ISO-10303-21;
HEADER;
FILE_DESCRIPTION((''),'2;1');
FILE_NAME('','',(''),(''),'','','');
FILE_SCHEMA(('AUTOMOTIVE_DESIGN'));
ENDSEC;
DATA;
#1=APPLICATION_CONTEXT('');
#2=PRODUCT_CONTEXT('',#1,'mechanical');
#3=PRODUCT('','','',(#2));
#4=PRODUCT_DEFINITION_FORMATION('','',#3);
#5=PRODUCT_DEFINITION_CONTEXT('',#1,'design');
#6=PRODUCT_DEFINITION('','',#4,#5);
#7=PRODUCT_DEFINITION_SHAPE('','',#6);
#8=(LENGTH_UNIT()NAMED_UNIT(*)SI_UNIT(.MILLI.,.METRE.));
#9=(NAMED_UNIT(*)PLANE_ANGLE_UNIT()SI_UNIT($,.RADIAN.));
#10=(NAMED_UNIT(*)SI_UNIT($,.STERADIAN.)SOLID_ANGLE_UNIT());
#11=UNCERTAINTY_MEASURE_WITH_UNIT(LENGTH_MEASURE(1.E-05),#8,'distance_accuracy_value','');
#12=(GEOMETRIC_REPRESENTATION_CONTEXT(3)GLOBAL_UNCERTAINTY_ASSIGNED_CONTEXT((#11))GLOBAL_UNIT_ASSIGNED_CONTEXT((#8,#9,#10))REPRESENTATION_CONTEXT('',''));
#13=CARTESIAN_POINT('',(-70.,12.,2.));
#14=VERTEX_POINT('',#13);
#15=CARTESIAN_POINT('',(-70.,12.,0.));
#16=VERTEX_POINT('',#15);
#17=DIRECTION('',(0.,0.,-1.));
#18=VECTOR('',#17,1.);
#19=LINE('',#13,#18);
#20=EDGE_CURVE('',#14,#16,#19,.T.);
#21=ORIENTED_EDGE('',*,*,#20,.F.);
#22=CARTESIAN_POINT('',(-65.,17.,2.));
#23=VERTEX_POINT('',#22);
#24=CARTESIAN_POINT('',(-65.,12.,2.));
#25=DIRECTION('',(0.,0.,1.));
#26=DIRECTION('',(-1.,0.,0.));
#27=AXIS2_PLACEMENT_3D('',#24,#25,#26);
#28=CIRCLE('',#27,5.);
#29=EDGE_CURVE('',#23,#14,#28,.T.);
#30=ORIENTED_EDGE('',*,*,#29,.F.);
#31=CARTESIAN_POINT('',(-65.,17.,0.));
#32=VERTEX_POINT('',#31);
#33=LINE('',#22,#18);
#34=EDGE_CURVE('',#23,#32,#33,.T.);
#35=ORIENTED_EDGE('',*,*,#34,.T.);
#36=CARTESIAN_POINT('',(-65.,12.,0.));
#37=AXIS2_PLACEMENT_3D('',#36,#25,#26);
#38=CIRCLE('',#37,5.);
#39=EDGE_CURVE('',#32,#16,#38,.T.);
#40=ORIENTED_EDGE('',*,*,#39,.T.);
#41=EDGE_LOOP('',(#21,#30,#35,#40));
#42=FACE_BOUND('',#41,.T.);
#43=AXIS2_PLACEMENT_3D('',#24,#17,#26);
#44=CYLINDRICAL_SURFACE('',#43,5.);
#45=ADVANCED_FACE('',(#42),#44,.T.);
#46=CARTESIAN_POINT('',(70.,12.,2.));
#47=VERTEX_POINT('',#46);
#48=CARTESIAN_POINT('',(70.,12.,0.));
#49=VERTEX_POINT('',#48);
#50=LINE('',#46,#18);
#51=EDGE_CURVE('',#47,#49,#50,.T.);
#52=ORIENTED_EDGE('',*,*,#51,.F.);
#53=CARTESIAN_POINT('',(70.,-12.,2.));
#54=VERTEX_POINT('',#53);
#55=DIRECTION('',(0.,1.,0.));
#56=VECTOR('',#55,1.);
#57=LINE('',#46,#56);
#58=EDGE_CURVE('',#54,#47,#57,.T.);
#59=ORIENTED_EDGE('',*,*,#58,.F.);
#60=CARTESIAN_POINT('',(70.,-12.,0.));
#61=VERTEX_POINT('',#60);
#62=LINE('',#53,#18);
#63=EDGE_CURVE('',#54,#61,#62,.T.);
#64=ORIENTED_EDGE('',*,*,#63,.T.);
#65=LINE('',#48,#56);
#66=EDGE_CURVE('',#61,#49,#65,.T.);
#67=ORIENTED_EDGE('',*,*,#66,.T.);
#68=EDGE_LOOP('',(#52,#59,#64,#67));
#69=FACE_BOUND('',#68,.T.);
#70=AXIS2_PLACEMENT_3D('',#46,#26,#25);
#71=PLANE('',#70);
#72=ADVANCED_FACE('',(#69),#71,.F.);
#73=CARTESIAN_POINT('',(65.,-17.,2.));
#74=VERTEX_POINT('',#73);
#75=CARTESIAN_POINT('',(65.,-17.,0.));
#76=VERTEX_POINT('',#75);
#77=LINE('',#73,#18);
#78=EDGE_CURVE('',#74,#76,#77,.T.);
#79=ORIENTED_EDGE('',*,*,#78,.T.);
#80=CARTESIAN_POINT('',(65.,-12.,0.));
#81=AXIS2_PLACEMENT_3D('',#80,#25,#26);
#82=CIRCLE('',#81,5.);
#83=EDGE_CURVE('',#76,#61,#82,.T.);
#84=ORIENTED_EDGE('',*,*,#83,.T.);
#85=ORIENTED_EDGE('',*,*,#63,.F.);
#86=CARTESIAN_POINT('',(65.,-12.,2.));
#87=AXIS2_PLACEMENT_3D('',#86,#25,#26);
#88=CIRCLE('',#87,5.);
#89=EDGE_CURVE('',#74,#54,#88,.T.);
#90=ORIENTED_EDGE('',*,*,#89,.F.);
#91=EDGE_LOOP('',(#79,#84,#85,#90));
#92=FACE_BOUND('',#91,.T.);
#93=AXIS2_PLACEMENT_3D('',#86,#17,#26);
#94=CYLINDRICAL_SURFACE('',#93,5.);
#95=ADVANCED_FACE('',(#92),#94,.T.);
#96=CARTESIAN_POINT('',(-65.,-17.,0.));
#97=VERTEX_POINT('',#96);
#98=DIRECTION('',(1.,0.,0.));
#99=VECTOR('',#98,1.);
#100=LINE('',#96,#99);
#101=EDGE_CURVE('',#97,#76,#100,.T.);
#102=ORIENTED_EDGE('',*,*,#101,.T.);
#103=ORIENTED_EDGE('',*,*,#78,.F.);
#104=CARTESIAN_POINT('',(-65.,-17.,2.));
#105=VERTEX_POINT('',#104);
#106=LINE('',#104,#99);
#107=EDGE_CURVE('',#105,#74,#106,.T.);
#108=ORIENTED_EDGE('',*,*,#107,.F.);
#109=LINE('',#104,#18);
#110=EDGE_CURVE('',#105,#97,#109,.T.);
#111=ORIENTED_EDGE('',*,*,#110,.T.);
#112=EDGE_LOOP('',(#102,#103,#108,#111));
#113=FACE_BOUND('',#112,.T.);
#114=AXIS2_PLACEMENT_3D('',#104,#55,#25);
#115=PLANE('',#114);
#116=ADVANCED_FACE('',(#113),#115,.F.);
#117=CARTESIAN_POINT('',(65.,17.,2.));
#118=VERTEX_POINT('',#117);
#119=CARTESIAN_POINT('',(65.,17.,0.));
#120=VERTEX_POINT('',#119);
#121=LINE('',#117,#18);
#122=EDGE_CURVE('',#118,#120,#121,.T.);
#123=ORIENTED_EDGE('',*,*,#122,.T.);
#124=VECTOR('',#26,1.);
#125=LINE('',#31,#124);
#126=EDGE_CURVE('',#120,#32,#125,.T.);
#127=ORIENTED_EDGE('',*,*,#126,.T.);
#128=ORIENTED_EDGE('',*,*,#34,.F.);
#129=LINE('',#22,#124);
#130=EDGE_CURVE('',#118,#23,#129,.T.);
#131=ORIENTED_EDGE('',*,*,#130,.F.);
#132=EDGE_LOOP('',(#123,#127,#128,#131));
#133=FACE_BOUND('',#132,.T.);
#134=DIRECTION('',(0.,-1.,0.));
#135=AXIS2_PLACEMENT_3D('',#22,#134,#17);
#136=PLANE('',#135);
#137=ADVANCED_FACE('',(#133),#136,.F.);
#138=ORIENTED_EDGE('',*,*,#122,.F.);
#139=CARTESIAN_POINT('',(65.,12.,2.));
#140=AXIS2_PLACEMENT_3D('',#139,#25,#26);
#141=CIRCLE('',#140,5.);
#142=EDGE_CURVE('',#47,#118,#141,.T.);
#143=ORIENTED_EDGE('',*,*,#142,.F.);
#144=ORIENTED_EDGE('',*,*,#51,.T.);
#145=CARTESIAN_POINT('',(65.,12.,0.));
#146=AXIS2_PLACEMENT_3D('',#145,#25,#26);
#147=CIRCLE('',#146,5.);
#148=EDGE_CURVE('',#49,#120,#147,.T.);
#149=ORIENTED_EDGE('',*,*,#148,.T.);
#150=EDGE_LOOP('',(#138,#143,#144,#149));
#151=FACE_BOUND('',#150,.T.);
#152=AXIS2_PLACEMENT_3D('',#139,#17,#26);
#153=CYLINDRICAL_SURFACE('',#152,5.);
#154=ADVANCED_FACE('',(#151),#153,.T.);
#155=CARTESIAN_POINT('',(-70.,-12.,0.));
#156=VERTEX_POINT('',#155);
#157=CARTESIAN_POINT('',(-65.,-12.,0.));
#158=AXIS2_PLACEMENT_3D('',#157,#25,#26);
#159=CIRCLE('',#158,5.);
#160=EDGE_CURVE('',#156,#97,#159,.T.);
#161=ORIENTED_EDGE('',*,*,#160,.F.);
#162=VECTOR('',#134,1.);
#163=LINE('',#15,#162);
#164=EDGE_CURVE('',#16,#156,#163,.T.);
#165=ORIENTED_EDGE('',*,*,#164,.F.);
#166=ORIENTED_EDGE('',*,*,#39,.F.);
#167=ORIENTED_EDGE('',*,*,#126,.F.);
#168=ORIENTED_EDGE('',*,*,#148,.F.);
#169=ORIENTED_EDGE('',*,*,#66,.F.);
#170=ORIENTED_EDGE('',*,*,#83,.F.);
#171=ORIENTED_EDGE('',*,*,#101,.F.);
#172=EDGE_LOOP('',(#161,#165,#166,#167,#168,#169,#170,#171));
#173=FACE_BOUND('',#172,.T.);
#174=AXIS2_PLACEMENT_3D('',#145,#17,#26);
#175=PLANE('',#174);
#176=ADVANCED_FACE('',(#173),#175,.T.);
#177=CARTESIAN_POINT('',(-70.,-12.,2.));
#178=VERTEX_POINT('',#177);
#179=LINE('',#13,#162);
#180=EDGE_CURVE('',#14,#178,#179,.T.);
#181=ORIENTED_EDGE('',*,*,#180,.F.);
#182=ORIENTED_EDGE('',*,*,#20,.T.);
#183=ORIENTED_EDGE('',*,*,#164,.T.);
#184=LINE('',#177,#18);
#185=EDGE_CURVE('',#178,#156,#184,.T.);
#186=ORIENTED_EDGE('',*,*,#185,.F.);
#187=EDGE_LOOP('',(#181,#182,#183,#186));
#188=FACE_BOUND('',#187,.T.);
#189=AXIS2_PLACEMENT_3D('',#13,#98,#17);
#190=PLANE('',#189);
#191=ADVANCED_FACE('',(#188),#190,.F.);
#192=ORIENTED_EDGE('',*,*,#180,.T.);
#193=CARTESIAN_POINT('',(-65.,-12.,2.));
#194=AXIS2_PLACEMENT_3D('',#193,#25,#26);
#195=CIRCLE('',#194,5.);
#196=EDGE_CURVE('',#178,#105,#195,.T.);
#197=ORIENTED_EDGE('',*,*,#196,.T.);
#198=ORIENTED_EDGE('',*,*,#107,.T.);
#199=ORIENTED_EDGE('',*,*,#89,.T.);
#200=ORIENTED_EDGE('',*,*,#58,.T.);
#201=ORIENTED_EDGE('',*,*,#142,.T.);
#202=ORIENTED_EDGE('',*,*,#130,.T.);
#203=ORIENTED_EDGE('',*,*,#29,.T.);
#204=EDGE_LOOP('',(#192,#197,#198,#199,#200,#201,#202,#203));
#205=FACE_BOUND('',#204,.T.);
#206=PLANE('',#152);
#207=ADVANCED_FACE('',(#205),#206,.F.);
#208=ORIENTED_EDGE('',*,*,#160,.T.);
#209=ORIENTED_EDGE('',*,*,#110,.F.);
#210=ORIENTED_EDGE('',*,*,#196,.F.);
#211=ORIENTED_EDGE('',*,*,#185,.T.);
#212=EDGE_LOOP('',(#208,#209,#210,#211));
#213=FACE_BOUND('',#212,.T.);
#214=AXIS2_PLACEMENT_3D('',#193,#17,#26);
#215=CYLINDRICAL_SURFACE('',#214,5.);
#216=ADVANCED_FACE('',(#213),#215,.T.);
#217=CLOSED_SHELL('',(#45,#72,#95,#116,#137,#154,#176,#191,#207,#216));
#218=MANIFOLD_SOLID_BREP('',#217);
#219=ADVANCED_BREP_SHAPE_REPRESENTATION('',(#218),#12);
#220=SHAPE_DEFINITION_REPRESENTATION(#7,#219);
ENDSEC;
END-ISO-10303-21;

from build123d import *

# Parameters (mm, degrees)
BOSS_EXTRUDE1_DEPTH = 2


with BuildPart() as part:
    # Sketch1 → Boss-Extrude1 (new body)
    with BuildSketch(Plane.XY):
        with BuildLine():
            Line((-65, 17), (65, 17))
            ThreePointArc((65, 17), (68.535533906, 15.535533906), (70, 12))
            Line((70, 12), (70, -12))
            ThreePointArc((70, -12), (68.535533906, -15.535533906), (65, -17))
            Line((65, -17), (-65, -17))
            ThreePointArc((-65, -17), (-68.535533906, -15.535533906), (-70, -12))
            Line((-70, -12), (-70, 12))
            ThreePointArc((-70, 12), (-68.535533906, 15.535533906), (-65, 17))
        make_face()
    extrude(amount=BOSS_EXTRUDE1_DEPTH)


solid = part.part
